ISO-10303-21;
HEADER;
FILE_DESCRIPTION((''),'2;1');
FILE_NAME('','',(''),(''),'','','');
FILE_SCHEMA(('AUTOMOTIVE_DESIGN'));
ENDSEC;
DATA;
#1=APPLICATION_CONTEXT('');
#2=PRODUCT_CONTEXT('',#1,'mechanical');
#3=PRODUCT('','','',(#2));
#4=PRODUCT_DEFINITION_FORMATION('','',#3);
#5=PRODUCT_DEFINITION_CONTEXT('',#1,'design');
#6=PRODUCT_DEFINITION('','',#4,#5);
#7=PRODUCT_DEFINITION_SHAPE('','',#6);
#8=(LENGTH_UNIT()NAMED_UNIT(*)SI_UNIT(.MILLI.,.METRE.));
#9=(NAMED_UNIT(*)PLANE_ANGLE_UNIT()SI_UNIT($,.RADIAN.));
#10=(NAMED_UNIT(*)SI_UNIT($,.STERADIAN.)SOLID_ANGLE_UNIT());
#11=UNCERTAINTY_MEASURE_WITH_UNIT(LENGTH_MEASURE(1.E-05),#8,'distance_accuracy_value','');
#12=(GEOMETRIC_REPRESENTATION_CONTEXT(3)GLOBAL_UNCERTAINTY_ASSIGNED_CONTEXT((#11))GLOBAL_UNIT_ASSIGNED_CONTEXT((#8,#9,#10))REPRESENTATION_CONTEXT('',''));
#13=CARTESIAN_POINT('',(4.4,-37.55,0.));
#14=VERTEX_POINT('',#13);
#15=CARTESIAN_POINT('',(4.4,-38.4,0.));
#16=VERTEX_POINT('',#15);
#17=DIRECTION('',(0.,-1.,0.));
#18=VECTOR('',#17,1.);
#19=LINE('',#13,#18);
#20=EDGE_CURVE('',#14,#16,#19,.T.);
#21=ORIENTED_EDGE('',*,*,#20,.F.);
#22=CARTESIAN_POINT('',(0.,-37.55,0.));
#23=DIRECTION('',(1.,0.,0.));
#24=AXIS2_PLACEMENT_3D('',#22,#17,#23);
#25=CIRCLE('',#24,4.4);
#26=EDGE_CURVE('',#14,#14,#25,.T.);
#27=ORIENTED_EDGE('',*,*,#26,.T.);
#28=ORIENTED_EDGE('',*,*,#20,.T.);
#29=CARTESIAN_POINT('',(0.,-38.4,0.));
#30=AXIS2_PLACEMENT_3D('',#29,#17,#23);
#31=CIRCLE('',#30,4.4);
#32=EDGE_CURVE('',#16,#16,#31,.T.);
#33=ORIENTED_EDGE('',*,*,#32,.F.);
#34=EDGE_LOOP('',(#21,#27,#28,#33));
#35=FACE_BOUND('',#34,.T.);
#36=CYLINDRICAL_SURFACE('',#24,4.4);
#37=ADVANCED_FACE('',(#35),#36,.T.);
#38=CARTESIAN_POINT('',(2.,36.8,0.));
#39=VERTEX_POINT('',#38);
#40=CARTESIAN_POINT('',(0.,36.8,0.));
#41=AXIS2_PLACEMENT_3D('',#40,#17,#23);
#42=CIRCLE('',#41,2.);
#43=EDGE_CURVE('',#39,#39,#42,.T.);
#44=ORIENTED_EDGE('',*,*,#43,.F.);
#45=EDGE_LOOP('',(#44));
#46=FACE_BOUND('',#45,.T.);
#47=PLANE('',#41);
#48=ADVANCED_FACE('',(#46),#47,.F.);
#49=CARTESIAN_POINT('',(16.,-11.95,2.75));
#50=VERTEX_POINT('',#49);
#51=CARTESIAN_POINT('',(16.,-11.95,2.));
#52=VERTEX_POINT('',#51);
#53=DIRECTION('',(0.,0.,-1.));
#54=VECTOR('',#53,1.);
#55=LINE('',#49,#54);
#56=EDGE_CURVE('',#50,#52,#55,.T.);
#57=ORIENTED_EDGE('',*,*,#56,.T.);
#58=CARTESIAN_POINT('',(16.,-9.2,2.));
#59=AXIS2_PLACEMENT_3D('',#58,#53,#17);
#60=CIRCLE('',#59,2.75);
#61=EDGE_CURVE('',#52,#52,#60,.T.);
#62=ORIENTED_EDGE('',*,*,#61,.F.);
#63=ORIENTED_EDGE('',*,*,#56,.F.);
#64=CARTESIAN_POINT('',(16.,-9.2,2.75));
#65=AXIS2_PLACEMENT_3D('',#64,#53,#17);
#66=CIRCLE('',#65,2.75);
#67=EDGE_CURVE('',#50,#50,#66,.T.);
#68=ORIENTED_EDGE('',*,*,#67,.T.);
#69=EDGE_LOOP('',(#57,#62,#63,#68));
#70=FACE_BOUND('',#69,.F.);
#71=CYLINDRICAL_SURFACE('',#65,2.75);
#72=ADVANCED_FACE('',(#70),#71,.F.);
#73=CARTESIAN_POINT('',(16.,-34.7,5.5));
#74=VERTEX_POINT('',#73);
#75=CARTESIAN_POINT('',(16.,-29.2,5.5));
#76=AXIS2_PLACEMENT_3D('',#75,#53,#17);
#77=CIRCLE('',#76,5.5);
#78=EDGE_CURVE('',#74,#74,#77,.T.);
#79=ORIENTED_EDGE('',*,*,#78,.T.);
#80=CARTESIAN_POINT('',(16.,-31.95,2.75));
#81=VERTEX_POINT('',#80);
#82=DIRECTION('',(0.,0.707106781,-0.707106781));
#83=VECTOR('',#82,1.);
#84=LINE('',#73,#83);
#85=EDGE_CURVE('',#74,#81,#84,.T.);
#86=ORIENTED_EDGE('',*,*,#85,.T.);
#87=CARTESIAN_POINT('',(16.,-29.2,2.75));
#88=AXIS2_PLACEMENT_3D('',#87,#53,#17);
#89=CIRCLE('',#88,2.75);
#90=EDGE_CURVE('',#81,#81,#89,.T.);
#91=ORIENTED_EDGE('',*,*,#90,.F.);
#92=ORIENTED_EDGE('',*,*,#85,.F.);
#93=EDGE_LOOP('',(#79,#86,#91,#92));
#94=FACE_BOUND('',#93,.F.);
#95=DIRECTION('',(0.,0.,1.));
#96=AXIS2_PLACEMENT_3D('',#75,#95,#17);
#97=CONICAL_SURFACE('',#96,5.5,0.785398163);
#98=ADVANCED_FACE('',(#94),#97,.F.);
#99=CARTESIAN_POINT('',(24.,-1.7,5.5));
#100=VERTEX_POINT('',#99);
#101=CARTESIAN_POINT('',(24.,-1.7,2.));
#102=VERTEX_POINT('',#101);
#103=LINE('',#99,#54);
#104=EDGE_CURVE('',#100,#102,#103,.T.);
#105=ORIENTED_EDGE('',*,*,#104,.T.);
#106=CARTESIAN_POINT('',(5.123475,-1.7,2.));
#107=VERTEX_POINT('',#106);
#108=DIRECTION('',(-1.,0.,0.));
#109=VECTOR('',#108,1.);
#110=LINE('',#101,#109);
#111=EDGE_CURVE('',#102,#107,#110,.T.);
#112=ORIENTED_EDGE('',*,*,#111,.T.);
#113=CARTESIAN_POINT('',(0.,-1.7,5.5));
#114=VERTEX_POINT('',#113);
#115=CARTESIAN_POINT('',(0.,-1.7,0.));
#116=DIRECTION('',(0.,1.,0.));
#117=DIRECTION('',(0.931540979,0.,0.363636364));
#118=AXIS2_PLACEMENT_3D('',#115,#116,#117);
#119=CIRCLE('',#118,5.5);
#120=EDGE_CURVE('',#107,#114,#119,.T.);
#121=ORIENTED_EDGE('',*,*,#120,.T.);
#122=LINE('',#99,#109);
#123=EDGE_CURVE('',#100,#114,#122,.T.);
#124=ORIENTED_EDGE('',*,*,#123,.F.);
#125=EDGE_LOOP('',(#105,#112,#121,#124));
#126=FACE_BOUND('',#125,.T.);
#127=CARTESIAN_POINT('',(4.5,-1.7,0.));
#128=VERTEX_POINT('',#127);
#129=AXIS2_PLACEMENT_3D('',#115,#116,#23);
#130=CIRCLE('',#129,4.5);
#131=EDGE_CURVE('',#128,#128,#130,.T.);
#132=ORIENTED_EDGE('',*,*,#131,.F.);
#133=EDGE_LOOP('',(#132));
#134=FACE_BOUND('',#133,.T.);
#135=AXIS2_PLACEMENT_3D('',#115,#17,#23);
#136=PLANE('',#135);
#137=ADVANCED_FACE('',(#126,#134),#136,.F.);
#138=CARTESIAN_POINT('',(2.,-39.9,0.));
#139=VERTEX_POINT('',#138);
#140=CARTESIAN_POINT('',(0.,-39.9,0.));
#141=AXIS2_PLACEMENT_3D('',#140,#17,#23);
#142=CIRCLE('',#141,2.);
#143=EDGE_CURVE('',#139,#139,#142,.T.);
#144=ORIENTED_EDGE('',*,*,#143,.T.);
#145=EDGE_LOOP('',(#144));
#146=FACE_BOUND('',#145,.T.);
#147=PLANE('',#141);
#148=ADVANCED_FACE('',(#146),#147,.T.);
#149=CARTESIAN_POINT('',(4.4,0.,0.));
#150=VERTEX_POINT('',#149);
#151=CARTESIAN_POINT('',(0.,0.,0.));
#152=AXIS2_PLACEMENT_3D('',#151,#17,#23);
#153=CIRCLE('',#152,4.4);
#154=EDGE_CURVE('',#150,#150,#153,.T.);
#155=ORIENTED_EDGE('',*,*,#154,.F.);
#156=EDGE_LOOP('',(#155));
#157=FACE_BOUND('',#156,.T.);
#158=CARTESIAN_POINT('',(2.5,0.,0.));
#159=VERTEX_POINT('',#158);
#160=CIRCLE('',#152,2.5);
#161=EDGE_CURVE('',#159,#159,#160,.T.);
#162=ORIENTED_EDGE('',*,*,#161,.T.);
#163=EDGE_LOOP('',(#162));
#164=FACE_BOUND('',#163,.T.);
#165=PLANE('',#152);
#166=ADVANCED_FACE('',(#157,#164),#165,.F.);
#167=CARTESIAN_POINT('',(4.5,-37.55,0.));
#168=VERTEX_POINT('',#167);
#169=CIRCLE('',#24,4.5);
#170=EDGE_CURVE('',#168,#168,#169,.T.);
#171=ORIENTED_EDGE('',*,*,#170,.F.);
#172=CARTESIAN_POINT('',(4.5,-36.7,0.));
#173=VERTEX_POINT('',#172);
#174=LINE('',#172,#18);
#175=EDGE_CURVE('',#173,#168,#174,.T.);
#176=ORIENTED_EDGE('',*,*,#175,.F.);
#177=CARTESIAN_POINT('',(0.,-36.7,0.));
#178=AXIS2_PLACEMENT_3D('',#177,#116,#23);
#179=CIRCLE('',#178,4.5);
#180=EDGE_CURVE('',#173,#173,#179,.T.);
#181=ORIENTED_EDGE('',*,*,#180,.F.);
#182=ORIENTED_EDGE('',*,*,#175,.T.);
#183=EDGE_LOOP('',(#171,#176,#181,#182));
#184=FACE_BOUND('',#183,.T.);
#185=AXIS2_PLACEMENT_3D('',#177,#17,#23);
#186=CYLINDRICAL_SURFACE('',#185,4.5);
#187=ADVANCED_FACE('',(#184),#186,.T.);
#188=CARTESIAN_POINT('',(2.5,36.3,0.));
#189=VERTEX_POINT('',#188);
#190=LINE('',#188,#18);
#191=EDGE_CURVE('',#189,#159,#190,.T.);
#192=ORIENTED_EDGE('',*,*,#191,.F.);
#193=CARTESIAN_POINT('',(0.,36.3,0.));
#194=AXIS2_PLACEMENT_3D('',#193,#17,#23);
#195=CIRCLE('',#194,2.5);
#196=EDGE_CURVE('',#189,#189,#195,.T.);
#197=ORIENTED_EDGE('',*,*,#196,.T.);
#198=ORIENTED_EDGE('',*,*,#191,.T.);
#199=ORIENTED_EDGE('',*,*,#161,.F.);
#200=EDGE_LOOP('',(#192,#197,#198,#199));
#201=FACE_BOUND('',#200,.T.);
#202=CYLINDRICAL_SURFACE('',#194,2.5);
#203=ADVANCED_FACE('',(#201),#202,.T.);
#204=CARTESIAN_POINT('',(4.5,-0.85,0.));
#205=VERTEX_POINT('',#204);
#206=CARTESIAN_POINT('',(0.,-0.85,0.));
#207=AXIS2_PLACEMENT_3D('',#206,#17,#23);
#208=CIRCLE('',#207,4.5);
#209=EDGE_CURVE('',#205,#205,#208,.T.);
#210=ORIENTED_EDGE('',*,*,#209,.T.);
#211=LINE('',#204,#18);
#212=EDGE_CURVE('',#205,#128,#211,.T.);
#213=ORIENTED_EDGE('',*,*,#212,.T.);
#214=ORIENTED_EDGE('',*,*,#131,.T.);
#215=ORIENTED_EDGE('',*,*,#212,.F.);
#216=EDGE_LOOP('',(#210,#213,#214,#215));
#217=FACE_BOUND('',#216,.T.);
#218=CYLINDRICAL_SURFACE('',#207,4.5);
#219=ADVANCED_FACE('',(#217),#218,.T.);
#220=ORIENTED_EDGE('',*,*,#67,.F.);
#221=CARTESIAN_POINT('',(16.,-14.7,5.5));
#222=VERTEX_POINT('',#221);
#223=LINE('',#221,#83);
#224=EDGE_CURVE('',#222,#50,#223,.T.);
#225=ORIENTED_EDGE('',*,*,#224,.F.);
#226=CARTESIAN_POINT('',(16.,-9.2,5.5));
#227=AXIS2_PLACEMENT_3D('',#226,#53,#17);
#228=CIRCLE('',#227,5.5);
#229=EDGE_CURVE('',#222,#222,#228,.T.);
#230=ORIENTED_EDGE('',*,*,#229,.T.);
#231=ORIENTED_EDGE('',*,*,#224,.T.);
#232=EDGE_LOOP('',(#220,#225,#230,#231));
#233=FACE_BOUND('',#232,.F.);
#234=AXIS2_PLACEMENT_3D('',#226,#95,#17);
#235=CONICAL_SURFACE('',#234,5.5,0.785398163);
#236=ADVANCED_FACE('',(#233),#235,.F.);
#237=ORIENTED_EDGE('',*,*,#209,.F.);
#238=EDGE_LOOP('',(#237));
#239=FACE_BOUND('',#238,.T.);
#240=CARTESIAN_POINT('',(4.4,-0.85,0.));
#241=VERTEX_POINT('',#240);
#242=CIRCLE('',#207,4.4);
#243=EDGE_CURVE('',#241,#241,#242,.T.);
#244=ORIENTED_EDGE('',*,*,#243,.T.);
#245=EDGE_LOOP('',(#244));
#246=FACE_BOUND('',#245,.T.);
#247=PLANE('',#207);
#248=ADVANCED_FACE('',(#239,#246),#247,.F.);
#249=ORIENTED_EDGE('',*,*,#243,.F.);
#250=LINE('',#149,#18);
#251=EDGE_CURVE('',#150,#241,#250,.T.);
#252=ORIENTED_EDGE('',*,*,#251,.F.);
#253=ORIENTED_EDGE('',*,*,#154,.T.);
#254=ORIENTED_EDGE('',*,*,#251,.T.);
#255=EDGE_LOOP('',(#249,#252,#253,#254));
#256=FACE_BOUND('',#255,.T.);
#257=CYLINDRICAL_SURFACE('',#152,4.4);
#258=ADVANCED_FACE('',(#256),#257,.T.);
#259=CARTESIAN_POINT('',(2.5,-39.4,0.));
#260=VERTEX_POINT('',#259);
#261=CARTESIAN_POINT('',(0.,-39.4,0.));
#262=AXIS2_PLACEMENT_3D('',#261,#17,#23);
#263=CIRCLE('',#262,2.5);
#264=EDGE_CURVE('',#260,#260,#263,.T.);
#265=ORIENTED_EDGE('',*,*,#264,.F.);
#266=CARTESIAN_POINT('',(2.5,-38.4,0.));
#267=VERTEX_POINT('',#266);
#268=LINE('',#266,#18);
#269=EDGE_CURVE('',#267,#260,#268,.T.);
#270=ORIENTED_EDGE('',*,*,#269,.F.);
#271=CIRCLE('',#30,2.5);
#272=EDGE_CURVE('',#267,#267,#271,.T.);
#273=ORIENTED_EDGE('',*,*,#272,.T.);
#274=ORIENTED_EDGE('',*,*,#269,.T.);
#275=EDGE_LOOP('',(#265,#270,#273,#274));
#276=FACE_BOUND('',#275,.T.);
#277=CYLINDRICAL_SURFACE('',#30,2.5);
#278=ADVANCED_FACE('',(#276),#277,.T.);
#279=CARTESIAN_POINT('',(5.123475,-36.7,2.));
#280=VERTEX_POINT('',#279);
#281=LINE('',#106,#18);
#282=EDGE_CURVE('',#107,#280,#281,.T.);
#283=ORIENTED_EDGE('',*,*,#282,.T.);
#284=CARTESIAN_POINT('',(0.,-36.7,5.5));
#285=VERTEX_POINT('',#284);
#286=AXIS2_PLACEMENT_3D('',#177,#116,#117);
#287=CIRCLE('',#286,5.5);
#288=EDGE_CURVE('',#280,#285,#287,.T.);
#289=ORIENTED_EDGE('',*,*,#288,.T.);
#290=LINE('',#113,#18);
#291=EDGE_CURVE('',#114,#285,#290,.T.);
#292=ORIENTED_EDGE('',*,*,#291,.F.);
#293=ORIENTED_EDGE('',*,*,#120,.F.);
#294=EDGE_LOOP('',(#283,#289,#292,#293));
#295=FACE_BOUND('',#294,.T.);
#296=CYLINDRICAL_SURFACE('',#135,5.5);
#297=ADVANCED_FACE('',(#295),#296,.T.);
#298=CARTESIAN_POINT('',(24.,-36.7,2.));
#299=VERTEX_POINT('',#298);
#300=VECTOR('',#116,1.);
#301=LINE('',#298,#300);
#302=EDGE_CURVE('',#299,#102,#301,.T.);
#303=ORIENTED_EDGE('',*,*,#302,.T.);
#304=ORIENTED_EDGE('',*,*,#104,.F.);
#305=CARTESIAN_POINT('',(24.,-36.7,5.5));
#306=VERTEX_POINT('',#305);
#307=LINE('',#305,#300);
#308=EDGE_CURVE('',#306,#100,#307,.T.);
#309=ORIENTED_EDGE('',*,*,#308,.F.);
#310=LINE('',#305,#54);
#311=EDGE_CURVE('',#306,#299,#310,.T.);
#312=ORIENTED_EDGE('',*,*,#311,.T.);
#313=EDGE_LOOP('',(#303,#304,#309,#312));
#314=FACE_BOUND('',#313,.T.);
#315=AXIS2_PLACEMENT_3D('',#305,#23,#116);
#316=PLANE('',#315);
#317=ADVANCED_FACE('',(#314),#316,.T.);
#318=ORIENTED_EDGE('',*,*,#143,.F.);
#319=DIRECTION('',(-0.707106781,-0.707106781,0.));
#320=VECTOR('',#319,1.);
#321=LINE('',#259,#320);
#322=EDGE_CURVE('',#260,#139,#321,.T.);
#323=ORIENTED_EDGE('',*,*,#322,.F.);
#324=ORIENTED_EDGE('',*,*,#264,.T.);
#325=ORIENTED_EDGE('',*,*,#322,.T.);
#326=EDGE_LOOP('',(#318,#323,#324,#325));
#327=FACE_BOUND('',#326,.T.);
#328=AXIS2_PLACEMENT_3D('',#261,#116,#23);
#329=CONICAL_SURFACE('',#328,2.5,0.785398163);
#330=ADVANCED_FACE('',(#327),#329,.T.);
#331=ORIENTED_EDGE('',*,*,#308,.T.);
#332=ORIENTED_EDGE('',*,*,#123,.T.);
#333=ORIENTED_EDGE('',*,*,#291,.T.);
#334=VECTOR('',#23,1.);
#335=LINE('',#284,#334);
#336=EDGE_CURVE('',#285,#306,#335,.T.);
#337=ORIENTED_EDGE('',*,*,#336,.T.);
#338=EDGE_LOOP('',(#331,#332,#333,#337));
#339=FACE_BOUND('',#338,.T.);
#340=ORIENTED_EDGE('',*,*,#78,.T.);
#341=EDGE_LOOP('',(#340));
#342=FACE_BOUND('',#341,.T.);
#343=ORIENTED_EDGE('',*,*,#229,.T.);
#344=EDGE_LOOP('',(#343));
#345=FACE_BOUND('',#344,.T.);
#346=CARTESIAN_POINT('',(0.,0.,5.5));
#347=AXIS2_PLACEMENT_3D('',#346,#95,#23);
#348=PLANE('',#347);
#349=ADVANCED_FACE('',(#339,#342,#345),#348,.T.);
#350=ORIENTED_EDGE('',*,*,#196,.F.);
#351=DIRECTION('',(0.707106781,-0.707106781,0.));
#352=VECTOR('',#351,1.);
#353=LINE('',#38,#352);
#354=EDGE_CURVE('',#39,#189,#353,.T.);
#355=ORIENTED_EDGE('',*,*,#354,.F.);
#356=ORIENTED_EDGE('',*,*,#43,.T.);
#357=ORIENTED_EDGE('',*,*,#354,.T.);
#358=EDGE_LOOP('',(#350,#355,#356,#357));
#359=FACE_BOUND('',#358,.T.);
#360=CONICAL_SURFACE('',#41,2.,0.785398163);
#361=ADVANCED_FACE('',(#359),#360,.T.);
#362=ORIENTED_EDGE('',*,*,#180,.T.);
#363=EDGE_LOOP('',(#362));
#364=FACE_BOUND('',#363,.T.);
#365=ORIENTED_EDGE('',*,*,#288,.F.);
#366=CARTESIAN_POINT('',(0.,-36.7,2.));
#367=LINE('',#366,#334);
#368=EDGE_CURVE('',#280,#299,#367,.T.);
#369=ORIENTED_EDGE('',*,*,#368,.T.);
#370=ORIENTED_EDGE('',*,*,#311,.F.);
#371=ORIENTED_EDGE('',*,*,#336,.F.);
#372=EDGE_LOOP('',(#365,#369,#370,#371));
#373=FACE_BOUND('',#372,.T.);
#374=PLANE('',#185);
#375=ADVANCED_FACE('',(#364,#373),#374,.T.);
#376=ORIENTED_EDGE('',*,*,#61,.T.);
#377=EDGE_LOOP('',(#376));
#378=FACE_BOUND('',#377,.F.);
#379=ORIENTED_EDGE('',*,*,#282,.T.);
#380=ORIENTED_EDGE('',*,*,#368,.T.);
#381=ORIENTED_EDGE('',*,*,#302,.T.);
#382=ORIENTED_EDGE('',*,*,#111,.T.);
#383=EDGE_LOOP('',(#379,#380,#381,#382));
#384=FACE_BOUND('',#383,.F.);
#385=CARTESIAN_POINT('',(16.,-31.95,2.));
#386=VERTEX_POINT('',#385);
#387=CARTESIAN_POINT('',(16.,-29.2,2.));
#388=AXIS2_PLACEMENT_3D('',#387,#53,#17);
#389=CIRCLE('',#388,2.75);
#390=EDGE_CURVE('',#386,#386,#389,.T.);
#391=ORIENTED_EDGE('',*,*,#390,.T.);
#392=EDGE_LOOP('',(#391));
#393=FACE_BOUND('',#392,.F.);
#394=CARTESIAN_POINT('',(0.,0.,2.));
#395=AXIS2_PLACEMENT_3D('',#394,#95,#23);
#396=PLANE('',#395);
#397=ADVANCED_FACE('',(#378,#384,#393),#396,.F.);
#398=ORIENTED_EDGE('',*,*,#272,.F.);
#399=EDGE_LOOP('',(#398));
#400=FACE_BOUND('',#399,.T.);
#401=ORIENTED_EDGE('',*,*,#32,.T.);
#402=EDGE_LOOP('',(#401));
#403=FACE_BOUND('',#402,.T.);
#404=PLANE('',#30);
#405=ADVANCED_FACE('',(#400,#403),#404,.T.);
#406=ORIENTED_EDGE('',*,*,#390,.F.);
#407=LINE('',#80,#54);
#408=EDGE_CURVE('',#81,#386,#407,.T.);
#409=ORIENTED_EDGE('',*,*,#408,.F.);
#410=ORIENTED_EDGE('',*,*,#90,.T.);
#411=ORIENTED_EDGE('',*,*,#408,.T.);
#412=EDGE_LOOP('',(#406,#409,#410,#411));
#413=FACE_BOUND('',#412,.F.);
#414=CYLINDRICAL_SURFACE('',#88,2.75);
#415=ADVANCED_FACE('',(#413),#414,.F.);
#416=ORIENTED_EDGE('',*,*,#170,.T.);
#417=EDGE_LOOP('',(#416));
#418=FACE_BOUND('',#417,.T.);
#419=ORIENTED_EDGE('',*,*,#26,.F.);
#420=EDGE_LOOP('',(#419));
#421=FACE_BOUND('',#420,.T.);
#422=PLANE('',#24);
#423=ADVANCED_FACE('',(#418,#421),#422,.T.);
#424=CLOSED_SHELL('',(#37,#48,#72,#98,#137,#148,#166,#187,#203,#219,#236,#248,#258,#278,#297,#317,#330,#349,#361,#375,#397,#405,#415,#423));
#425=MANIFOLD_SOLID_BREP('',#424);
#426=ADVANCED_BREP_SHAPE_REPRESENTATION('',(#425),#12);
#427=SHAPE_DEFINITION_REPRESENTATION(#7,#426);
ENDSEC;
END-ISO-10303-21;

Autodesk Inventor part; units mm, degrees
sketch "Sketch_1" plane through (0, 0, 0) normal (0, 0, 1) x (1, 0, 0)
  line L0 (0, -39.9) -> (0, 36.8)
  line L1 (0, 36.8) -> (2, 36.8)
  line L2 (2, 36.8) -> (2.5, 36.3)
  line L3 (2.5, 36.3) -> (2.5, 0)
  line L4 (2.5, 0) -> (4.4, 0)
  line L5 (4.4, 0) -> (4.4, -0.85)
  line L6 (4.4, -0.85) -> (4.5, -0.85)
  line L7 (4.5, -0.85) -> (4.5, -1.7)
  line L8 (4.5, -1.7) -> (5.5, -1.7)
  line L9 (5.5, -1.7) -> (5.5, -36.7)
  line L10 (5.5, -36.7) -> (4.5, -36.7)
  line L11 (4.5, -36.7) -> (4.5, -37.55)
  line L12 (4.5, -37.55) -> (4.4, -37.55)
  line L13 (4.4, -37.55) -> (4.4, -38.4)
  line L14 (4.4, -38.4) -> (2.5, -38.4)
  line L15 (2.5, -38.4) -> (2.5, -39.4)
  line L16 (2.5, -39.4) -> (2, -39.9)
  line L17 (2, -39.9) -> (0, -39.9)
  line L18 (0, -39.9) -> (0, 36.8)
revolve "Revolution1" add sketch "Sketch_1" angle 360 about axis through (0, -39.9, 0) along (0, -1, 0)
sketch "Sketch_2" plane through (0, 0, 5.5) normal (0, 0, 1) x (1, 0, 0)
  line L0 (0, -36.7) -> (24, -36.7)
  line L1 (24, -36.7) -> (24, -1.7)
  line L2 (24, -1.7) -> (0, -1.7)
  line L3 (0, -1.7) -> (0, -36.7)
extrude "Extrusion1" add sketch "Sketch_2" against normal blind 3.5
sketch "Sketch3" plane through (0, 0, 5.5) normal (0, 0, 1) x (1, 0, 0)
  point P0 (16, -9.2)
hole "Hole1" at (16, -9.2, 5.5) direction (0, 0, -1) diameter 5.5 depth 3.5 countersink diameter 11 countersink angle 90
sketch "Sketch4" plane through (0, 0, 5.5) normal (0, 0, 1) x (1, 0, 0)
  point P0 (16, -29.2)
hole "Hole2" at (16, -29.2, 5.5) direction (0, 0, -1) diameter 5.5 depth 3.5 countersink diameter 11 countersink angle 90
ref_plane "1_XY" through (0, 0, 0) normal (0, 1, 0) x (1, 0, 0)
ref_plane "1_YZ" through (0, 0, 0) normal (1, 0, 0) x (0, 0, -1)
ref_plane "1_ZX" through (0, 0, 0) normal (0, 0, -1) x (0, 1, 0)
ref_plane "to_bolt1_XY" through (16, -9.2, 5.5) normal (0, 0, 1) x (1, 0, 0)
ref_plane "to_bolt1_YZ" through (16, -9.2, 5.5) normal (1, 0, 0) x (0, 1, 0)
ref_plane "to_bolt1_ZX" through (16, -9.2, 5.5) normal (0, 1, 0) x (0, 0, 1)
ref_plane "to_bolt1_r_XY" through (-16, -9.2, 5.5) normal (0, 0, 1) x (1, 0, 0)
ref_plane "to_bolt1_r_YZ" through (-16, -9.2, 5.5) normal (1, 0, 0) x (0, 1, 0)
ref_plane "to_bolt1_r_ZX" through (-16, -9.2, 5.5) normal (0, 1, 0) x (0, 0, 1)
ref_plane "to_bolt2_XY" through (16, -29.2, 5.5) normal (0, 0, 1) x (1, 0, 0)
ref_plane "to_bolt2_YZ" through (16, -29.2, 5.5) normal (1, 0, 0) x (0, 1, 0)
ref_plane "to_bolt2_ZX" through (16, -29.2, 5.5) normal (0, 1, 0) x (0, 0, 1)
ref_plane "to_bolt2_r_XY" through (-16, -29.2, 5.5) normal (0, 0, 1) x (1, 0, 0)
ref_plane "to_bolt2_r_YZ" through (-16, -29.2, 5.5) normal (1, 0, 0) x (0, 1, 0)
ref_plane "to_bolt2_r_ZX" through (-16, -29.2, 5.5) normal (0, 1, 0) x (0, 0, 1)
properties part number "HHPFLN5-1"
